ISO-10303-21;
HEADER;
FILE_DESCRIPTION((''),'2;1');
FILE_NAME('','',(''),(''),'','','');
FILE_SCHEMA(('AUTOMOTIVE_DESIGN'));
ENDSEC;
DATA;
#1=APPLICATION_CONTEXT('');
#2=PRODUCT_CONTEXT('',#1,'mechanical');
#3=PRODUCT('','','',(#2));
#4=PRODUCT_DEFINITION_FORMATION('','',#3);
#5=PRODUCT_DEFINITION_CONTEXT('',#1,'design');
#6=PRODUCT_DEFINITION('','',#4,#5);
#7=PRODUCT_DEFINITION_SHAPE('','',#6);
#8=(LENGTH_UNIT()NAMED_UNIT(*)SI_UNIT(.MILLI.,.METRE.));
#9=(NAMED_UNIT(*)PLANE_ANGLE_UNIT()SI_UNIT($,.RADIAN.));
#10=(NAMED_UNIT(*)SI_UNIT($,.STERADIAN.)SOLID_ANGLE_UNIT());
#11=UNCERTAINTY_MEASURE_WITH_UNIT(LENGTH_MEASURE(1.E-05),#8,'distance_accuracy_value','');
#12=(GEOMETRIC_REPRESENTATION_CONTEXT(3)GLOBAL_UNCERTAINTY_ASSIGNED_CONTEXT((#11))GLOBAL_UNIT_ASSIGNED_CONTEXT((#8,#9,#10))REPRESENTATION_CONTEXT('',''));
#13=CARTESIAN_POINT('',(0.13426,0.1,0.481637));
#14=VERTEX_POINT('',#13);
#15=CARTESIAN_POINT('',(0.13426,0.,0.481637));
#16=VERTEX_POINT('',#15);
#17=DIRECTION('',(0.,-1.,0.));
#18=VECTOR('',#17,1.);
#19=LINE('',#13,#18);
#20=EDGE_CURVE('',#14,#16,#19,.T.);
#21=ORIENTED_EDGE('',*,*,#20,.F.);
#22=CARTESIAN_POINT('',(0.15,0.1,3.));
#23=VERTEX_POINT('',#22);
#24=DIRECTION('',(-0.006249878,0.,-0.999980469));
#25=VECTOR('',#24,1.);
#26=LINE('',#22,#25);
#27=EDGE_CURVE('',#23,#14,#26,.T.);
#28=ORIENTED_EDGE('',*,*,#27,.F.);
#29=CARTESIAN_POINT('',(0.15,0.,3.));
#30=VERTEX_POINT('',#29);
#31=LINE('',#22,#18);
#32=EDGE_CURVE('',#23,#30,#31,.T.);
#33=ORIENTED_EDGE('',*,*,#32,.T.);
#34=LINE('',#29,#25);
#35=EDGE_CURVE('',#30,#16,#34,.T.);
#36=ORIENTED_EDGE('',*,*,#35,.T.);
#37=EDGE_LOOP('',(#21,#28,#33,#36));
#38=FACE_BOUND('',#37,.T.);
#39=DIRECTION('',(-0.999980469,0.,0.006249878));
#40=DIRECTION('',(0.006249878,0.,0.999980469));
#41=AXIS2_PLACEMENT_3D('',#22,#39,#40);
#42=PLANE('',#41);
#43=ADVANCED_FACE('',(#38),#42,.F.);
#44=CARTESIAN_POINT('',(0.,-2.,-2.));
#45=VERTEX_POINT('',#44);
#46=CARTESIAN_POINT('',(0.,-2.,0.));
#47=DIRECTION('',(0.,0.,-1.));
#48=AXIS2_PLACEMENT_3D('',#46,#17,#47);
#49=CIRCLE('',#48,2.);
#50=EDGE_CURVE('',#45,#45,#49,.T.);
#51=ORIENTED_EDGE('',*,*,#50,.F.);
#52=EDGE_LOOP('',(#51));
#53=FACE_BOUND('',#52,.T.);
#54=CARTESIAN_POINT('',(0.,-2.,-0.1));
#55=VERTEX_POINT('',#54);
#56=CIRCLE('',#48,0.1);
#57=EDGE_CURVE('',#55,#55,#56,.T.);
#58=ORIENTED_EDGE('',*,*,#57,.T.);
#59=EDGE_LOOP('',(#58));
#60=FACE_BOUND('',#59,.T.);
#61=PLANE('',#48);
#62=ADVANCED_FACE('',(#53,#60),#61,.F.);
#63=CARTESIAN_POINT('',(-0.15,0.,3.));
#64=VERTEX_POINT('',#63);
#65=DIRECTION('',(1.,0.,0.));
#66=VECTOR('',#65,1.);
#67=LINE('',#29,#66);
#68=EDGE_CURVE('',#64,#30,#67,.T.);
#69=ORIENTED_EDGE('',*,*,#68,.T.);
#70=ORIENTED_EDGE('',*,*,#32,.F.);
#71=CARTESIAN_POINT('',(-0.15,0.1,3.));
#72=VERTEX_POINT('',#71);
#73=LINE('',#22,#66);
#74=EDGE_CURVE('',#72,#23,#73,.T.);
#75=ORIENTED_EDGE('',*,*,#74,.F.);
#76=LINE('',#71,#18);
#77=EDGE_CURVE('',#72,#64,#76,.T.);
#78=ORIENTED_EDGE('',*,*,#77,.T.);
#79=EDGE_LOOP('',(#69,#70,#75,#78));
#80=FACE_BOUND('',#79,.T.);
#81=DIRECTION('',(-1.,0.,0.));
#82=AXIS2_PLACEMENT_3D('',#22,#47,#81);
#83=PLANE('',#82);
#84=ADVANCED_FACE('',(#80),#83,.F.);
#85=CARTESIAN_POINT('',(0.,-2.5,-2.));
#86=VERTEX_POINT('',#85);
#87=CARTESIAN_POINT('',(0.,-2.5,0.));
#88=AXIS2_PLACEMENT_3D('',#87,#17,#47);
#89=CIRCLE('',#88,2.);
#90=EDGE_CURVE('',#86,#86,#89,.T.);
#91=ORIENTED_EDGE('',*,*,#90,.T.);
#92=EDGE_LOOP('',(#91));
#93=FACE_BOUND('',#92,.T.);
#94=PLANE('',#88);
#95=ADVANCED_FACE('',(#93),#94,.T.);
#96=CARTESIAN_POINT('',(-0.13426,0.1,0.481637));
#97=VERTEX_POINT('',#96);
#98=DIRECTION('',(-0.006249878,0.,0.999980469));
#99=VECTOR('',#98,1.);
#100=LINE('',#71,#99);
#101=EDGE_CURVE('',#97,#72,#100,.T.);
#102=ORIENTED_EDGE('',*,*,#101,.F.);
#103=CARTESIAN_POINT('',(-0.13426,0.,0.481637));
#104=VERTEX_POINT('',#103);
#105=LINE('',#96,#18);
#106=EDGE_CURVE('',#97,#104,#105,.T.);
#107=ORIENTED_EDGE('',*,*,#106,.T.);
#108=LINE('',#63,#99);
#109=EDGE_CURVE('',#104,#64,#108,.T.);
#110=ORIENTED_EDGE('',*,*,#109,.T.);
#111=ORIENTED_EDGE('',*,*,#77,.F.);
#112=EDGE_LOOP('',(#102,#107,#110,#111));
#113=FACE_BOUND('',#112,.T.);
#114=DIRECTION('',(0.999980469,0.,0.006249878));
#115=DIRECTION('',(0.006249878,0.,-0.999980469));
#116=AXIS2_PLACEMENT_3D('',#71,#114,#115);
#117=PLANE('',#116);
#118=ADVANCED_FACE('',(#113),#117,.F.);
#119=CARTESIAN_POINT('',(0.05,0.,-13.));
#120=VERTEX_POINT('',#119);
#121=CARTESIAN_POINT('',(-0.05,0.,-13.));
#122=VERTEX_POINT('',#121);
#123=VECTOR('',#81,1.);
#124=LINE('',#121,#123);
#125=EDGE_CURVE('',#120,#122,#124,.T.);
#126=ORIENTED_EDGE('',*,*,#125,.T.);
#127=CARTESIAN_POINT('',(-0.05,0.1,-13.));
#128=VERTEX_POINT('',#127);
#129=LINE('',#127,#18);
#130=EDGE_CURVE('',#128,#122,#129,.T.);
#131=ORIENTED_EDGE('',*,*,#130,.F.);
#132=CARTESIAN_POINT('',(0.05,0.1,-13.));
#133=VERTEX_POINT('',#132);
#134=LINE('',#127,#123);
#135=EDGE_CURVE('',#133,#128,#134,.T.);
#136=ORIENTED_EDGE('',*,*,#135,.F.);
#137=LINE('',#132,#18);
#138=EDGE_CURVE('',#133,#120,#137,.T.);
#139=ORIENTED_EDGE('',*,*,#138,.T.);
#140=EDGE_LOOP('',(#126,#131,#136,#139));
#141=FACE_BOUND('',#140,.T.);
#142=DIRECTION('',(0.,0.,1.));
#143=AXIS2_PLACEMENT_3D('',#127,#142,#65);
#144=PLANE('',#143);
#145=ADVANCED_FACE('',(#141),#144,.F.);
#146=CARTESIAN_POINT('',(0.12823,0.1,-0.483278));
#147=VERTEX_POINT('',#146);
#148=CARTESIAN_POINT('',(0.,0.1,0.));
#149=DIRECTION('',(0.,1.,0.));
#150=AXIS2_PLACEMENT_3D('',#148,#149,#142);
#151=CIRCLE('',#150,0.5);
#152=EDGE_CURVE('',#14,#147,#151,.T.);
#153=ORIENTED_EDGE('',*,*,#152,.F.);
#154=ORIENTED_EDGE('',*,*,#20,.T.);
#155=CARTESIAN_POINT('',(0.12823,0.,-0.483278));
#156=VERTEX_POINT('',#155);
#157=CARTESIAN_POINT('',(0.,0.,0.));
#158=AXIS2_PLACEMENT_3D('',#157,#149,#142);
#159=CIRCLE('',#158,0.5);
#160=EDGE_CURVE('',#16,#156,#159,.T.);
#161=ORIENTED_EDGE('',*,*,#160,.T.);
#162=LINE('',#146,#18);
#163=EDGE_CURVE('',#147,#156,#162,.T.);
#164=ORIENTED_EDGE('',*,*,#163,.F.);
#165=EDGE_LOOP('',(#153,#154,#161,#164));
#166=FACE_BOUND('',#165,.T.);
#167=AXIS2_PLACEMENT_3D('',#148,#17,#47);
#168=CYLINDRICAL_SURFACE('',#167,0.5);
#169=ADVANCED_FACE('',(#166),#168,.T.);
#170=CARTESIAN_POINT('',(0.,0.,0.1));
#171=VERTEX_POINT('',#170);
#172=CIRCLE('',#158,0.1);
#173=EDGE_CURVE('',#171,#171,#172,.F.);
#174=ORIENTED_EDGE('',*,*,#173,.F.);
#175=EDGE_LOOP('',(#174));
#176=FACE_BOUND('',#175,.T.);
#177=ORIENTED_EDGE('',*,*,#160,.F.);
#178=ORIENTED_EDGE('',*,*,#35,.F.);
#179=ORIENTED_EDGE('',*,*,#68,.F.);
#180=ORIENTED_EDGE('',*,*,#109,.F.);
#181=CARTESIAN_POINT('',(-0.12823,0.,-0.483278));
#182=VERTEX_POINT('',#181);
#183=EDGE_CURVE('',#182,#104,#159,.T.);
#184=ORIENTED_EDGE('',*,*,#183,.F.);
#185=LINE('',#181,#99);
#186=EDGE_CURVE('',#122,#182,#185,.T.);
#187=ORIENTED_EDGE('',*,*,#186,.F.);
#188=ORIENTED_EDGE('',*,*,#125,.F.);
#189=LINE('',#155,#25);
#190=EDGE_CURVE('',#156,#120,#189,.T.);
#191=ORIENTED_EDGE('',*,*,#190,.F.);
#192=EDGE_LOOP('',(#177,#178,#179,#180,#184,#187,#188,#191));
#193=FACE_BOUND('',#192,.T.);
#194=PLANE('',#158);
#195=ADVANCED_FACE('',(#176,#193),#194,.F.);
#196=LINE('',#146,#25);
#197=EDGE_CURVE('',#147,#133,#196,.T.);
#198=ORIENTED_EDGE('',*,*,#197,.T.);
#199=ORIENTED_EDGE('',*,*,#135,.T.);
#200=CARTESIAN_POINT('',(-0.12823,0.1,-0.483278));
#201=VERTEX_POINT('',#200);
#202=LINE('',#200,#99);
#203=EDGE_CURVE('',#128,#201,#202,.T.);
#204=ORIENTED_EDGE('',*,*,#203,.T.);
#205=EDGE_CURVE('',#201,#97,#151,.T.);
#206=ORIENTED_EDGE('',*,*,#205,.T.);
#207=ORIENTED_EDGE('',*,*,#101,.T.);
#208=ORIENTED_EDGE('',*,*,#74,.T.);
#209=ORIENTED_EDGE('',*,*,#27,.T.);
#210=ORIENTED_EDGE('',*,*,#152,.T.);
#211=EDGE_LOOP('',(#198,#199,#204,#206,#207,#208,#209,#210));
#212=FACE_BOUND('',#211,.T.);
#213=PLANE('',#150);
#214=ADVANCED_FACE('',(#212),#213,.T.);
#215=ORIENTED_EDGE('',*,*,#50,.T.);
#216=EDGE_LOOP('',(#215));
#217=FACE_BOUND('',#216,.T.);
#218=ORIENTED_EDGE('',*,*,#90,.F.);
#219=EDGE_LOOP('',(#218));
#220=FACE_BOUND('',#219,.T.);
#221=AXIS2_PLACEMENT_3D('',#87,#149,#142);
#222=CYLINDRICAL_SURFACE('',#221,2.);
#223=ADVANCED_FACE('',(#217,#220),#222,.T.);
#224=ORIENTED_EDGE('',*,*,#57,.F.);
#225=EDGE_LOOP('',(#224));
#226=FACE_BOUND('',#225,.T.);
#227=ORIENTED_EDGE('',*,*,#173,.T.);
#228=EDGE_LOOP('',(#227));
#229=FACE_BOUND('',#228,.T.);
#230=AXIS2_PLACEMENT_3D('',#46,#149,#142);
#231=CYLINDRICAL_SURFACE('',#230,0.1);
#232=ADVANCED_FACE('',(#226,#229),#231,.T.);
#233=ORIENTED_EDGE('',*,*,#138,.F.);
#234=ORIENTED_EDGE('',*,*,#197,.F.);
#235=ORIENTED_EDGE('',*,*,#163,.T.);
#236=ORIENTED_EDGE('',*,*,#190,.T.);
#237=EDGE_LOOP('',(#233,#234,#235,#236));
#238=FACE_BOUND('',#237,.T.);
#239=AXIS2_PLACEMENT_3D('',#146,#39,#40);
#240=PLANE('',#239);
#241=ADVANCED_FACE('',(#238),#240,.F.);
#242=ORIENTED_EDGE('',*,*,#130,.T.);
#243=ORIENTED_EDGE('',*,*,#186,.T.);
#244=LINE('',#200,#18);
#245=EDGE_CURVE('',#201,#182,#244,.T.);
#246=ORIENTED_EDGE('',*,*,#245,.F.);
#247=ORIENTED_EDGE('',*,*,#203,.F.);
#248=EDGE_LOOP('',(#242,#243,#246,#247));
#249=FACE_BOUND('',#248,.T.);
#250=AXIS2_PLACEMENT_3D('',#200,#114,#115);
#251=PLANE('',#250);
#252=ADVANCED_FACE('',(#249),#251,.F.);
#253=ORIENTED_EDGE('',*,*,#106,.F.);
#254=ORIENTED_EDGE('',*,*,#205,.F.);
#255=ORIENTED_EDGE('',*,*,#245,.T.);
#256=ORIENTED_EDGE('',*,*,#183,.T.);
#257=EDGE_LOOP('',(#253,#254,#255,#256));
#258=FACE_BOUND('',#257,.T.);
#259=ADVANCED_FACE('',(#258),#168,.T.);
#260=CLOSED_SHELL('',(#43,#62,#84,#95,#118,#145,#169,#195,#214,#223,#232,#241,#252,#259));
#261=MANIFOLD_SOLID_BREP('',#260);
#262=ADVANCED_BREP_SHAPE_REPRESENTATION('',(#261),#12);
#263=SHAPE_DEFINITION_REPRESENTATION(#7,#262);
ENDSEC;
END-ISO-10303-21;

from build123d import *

# Parameters (mm, degrees)
BOSS_EXTRUDE1_DEPTH = 0.1
SKETCH2_R           = 0.1
BOSS_EXTRUDE2_DEPTH = 2
SKETCH3_R           = 2
BOSS_EXTRUDE3_DEPTH = 0.5


with BuildPart() as part:
    # Sketch1 → Boss-Extrude1 (new body)
    with BuildSketch(Plane(origin=(0, 0, 0), x_dir=(1, 0, 0), z_dir=(0, 1, 0))):
        with BuildLine():
            Line((-0.128229515, 0.483277551), (-0.05, 13))
            Line((-0.05, 13), (0.05, 13))
            Line((0.05, 13), (0.128229515, 0.483277551))
            ThreePointArc((0.128229515, 0.483277551), (0.499990235, 0.003124939), (0.134260231, -0.48163699))
            Line((0.134260231, -0.48163699), (0.15, -3))
            Line((0.15, -3), (-0.15, -3))
            Line((-0.15, -3), (-0.134260231, -0.48163699))
            ThreePointArc((-0.134260231, -0.48163699), (-0.499990235, 0.003124939), (-0.128229515, 0.483277551))
        make_face()
    extrude(amount=BOSS_EXTRUDE1_DEPTH)

    # Sketch2 → Boss-Extrude2 (add)
    with BuildSketch(Plane.XZ):
        Circle(SKETCH2_R)
    extrude(amount=BOSS_EXTRUDE2_DEPTH)

    # Sketch3 → Boss-Extrude3 (add)
    with BuildSketch(Plane.XZ.offset(2)):
        Circle(SKETCH3_R)
    extrude(amount=BOSS_EXTRUDE3_DEPTH)


solid = part.part
